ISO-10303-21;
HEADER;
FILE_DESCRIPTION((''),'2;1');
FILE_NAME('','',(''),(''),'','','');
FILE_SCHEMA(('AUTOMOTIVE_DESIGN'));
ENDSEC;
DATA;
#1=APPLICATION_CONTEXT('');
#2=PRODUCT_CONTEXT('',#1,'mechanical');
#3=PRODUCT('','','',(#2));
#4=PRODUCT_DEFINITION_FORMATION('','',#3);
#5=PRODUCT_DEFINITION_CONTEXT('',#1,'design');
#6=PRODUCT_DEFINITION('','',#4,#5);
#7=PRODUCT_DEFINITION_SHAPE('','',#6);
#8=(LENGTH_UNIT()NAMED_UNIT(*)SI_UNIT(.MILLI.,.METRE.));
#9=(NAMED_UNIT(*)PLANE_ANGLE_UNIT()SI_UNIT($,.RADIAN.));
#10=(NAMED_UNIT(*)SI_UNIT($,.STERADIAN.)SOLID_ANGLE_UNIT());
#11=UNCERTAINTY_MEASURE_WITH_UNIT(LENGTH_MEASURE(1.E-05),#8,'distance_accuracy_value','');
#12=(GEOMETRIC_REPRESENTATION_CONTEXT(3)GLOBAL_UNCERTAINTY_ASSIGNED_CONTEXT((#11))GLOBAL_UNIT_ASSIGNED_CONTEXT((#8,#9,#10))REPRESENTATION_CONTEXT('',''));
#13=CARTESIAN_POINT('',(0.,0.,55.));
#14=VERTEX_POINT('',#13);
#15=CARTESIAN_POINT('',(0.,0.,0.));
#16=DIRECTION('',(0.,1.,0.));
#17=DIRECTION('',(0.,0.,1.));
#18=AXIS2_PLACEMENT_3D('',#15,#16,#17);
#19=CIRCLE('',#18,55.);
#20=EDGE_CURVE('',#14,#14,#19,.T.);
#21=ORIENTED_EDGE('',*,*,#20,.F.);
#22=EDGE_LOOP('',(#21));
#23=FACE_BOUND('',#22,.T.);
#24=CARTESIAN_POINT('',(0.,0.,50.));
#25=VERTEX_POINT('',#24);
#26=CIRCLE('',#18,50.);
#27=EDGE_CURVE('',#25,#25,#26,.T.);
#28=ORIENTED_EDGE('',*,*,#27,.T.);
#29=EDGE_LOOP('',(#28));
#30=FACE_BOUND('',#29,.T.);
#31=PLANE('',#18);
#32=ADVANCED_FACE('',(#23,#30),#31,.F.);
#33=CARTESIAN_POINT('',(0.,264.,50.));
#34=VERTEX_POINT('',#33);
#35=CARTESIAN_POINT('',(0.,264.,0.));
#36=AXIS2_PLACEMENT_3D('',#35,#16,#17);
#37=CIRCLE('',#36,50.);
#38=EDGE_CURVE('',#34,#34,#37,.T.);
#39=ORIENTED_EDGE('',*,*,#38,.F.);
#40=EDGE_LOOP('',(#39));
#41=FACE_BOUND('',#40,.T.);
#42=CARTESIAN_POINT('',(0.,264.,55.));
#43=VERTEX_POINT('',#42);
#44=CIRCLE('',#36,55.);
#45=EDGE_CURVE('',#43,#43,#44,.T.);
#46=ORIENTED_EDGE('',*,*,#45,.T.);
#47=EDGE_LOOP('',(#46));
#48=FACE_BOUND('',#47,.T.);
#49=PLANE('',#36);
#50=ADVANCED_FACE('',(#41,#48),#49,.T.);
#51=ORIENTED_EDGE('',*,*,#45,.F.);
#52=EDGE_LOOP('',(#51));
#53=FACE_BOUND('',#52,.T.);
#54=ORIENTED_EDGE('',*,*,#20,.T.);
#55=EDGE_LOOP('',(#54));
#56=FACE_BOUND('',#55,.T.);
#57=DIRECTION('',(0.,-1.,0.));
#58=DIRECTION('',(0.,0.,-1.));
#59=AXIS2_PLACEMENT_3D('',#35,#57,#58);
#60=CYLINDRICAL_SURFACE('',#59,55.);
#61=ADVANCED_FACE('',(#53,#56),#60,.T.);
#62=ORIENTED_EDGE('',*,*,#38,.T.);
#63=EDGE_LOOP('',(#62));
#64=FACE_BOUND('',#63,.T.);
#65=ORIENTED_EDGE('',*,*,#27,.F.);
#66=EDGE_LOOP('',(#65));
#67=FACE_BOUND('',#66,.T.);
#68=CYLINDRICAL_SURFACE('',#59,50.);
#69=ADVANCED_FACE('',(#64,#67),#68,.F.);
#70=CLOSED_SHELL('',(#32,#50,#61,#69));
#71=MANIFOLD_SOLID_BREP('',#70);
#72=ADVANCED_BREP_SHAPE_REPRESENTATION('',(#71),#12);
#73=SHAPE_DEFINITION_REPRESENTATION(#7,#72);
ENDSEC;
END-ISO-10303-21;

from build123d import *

# Parameters (mm, degrees)
SKETCH_1_R      = 55
SKETCH_1_R_2    = 50
EXTRUDE_1_DEPTH = 264


with BuildPart() as part:
    # 草图1 → 凸台-拉伸1 (new body)
    with BuildSketch(Plane(origin=(0, 0, 0), x_dir=(1, 0, 0), z_dir=(0, 1, 0))):
        Circle(SKETCH_1_R)
        Circle(SKETCH_1_R_2, mode=Mode.SUBTRACT)
    extrude(amount=EXTRUDE_1_DEPTH)


solid = part.part
